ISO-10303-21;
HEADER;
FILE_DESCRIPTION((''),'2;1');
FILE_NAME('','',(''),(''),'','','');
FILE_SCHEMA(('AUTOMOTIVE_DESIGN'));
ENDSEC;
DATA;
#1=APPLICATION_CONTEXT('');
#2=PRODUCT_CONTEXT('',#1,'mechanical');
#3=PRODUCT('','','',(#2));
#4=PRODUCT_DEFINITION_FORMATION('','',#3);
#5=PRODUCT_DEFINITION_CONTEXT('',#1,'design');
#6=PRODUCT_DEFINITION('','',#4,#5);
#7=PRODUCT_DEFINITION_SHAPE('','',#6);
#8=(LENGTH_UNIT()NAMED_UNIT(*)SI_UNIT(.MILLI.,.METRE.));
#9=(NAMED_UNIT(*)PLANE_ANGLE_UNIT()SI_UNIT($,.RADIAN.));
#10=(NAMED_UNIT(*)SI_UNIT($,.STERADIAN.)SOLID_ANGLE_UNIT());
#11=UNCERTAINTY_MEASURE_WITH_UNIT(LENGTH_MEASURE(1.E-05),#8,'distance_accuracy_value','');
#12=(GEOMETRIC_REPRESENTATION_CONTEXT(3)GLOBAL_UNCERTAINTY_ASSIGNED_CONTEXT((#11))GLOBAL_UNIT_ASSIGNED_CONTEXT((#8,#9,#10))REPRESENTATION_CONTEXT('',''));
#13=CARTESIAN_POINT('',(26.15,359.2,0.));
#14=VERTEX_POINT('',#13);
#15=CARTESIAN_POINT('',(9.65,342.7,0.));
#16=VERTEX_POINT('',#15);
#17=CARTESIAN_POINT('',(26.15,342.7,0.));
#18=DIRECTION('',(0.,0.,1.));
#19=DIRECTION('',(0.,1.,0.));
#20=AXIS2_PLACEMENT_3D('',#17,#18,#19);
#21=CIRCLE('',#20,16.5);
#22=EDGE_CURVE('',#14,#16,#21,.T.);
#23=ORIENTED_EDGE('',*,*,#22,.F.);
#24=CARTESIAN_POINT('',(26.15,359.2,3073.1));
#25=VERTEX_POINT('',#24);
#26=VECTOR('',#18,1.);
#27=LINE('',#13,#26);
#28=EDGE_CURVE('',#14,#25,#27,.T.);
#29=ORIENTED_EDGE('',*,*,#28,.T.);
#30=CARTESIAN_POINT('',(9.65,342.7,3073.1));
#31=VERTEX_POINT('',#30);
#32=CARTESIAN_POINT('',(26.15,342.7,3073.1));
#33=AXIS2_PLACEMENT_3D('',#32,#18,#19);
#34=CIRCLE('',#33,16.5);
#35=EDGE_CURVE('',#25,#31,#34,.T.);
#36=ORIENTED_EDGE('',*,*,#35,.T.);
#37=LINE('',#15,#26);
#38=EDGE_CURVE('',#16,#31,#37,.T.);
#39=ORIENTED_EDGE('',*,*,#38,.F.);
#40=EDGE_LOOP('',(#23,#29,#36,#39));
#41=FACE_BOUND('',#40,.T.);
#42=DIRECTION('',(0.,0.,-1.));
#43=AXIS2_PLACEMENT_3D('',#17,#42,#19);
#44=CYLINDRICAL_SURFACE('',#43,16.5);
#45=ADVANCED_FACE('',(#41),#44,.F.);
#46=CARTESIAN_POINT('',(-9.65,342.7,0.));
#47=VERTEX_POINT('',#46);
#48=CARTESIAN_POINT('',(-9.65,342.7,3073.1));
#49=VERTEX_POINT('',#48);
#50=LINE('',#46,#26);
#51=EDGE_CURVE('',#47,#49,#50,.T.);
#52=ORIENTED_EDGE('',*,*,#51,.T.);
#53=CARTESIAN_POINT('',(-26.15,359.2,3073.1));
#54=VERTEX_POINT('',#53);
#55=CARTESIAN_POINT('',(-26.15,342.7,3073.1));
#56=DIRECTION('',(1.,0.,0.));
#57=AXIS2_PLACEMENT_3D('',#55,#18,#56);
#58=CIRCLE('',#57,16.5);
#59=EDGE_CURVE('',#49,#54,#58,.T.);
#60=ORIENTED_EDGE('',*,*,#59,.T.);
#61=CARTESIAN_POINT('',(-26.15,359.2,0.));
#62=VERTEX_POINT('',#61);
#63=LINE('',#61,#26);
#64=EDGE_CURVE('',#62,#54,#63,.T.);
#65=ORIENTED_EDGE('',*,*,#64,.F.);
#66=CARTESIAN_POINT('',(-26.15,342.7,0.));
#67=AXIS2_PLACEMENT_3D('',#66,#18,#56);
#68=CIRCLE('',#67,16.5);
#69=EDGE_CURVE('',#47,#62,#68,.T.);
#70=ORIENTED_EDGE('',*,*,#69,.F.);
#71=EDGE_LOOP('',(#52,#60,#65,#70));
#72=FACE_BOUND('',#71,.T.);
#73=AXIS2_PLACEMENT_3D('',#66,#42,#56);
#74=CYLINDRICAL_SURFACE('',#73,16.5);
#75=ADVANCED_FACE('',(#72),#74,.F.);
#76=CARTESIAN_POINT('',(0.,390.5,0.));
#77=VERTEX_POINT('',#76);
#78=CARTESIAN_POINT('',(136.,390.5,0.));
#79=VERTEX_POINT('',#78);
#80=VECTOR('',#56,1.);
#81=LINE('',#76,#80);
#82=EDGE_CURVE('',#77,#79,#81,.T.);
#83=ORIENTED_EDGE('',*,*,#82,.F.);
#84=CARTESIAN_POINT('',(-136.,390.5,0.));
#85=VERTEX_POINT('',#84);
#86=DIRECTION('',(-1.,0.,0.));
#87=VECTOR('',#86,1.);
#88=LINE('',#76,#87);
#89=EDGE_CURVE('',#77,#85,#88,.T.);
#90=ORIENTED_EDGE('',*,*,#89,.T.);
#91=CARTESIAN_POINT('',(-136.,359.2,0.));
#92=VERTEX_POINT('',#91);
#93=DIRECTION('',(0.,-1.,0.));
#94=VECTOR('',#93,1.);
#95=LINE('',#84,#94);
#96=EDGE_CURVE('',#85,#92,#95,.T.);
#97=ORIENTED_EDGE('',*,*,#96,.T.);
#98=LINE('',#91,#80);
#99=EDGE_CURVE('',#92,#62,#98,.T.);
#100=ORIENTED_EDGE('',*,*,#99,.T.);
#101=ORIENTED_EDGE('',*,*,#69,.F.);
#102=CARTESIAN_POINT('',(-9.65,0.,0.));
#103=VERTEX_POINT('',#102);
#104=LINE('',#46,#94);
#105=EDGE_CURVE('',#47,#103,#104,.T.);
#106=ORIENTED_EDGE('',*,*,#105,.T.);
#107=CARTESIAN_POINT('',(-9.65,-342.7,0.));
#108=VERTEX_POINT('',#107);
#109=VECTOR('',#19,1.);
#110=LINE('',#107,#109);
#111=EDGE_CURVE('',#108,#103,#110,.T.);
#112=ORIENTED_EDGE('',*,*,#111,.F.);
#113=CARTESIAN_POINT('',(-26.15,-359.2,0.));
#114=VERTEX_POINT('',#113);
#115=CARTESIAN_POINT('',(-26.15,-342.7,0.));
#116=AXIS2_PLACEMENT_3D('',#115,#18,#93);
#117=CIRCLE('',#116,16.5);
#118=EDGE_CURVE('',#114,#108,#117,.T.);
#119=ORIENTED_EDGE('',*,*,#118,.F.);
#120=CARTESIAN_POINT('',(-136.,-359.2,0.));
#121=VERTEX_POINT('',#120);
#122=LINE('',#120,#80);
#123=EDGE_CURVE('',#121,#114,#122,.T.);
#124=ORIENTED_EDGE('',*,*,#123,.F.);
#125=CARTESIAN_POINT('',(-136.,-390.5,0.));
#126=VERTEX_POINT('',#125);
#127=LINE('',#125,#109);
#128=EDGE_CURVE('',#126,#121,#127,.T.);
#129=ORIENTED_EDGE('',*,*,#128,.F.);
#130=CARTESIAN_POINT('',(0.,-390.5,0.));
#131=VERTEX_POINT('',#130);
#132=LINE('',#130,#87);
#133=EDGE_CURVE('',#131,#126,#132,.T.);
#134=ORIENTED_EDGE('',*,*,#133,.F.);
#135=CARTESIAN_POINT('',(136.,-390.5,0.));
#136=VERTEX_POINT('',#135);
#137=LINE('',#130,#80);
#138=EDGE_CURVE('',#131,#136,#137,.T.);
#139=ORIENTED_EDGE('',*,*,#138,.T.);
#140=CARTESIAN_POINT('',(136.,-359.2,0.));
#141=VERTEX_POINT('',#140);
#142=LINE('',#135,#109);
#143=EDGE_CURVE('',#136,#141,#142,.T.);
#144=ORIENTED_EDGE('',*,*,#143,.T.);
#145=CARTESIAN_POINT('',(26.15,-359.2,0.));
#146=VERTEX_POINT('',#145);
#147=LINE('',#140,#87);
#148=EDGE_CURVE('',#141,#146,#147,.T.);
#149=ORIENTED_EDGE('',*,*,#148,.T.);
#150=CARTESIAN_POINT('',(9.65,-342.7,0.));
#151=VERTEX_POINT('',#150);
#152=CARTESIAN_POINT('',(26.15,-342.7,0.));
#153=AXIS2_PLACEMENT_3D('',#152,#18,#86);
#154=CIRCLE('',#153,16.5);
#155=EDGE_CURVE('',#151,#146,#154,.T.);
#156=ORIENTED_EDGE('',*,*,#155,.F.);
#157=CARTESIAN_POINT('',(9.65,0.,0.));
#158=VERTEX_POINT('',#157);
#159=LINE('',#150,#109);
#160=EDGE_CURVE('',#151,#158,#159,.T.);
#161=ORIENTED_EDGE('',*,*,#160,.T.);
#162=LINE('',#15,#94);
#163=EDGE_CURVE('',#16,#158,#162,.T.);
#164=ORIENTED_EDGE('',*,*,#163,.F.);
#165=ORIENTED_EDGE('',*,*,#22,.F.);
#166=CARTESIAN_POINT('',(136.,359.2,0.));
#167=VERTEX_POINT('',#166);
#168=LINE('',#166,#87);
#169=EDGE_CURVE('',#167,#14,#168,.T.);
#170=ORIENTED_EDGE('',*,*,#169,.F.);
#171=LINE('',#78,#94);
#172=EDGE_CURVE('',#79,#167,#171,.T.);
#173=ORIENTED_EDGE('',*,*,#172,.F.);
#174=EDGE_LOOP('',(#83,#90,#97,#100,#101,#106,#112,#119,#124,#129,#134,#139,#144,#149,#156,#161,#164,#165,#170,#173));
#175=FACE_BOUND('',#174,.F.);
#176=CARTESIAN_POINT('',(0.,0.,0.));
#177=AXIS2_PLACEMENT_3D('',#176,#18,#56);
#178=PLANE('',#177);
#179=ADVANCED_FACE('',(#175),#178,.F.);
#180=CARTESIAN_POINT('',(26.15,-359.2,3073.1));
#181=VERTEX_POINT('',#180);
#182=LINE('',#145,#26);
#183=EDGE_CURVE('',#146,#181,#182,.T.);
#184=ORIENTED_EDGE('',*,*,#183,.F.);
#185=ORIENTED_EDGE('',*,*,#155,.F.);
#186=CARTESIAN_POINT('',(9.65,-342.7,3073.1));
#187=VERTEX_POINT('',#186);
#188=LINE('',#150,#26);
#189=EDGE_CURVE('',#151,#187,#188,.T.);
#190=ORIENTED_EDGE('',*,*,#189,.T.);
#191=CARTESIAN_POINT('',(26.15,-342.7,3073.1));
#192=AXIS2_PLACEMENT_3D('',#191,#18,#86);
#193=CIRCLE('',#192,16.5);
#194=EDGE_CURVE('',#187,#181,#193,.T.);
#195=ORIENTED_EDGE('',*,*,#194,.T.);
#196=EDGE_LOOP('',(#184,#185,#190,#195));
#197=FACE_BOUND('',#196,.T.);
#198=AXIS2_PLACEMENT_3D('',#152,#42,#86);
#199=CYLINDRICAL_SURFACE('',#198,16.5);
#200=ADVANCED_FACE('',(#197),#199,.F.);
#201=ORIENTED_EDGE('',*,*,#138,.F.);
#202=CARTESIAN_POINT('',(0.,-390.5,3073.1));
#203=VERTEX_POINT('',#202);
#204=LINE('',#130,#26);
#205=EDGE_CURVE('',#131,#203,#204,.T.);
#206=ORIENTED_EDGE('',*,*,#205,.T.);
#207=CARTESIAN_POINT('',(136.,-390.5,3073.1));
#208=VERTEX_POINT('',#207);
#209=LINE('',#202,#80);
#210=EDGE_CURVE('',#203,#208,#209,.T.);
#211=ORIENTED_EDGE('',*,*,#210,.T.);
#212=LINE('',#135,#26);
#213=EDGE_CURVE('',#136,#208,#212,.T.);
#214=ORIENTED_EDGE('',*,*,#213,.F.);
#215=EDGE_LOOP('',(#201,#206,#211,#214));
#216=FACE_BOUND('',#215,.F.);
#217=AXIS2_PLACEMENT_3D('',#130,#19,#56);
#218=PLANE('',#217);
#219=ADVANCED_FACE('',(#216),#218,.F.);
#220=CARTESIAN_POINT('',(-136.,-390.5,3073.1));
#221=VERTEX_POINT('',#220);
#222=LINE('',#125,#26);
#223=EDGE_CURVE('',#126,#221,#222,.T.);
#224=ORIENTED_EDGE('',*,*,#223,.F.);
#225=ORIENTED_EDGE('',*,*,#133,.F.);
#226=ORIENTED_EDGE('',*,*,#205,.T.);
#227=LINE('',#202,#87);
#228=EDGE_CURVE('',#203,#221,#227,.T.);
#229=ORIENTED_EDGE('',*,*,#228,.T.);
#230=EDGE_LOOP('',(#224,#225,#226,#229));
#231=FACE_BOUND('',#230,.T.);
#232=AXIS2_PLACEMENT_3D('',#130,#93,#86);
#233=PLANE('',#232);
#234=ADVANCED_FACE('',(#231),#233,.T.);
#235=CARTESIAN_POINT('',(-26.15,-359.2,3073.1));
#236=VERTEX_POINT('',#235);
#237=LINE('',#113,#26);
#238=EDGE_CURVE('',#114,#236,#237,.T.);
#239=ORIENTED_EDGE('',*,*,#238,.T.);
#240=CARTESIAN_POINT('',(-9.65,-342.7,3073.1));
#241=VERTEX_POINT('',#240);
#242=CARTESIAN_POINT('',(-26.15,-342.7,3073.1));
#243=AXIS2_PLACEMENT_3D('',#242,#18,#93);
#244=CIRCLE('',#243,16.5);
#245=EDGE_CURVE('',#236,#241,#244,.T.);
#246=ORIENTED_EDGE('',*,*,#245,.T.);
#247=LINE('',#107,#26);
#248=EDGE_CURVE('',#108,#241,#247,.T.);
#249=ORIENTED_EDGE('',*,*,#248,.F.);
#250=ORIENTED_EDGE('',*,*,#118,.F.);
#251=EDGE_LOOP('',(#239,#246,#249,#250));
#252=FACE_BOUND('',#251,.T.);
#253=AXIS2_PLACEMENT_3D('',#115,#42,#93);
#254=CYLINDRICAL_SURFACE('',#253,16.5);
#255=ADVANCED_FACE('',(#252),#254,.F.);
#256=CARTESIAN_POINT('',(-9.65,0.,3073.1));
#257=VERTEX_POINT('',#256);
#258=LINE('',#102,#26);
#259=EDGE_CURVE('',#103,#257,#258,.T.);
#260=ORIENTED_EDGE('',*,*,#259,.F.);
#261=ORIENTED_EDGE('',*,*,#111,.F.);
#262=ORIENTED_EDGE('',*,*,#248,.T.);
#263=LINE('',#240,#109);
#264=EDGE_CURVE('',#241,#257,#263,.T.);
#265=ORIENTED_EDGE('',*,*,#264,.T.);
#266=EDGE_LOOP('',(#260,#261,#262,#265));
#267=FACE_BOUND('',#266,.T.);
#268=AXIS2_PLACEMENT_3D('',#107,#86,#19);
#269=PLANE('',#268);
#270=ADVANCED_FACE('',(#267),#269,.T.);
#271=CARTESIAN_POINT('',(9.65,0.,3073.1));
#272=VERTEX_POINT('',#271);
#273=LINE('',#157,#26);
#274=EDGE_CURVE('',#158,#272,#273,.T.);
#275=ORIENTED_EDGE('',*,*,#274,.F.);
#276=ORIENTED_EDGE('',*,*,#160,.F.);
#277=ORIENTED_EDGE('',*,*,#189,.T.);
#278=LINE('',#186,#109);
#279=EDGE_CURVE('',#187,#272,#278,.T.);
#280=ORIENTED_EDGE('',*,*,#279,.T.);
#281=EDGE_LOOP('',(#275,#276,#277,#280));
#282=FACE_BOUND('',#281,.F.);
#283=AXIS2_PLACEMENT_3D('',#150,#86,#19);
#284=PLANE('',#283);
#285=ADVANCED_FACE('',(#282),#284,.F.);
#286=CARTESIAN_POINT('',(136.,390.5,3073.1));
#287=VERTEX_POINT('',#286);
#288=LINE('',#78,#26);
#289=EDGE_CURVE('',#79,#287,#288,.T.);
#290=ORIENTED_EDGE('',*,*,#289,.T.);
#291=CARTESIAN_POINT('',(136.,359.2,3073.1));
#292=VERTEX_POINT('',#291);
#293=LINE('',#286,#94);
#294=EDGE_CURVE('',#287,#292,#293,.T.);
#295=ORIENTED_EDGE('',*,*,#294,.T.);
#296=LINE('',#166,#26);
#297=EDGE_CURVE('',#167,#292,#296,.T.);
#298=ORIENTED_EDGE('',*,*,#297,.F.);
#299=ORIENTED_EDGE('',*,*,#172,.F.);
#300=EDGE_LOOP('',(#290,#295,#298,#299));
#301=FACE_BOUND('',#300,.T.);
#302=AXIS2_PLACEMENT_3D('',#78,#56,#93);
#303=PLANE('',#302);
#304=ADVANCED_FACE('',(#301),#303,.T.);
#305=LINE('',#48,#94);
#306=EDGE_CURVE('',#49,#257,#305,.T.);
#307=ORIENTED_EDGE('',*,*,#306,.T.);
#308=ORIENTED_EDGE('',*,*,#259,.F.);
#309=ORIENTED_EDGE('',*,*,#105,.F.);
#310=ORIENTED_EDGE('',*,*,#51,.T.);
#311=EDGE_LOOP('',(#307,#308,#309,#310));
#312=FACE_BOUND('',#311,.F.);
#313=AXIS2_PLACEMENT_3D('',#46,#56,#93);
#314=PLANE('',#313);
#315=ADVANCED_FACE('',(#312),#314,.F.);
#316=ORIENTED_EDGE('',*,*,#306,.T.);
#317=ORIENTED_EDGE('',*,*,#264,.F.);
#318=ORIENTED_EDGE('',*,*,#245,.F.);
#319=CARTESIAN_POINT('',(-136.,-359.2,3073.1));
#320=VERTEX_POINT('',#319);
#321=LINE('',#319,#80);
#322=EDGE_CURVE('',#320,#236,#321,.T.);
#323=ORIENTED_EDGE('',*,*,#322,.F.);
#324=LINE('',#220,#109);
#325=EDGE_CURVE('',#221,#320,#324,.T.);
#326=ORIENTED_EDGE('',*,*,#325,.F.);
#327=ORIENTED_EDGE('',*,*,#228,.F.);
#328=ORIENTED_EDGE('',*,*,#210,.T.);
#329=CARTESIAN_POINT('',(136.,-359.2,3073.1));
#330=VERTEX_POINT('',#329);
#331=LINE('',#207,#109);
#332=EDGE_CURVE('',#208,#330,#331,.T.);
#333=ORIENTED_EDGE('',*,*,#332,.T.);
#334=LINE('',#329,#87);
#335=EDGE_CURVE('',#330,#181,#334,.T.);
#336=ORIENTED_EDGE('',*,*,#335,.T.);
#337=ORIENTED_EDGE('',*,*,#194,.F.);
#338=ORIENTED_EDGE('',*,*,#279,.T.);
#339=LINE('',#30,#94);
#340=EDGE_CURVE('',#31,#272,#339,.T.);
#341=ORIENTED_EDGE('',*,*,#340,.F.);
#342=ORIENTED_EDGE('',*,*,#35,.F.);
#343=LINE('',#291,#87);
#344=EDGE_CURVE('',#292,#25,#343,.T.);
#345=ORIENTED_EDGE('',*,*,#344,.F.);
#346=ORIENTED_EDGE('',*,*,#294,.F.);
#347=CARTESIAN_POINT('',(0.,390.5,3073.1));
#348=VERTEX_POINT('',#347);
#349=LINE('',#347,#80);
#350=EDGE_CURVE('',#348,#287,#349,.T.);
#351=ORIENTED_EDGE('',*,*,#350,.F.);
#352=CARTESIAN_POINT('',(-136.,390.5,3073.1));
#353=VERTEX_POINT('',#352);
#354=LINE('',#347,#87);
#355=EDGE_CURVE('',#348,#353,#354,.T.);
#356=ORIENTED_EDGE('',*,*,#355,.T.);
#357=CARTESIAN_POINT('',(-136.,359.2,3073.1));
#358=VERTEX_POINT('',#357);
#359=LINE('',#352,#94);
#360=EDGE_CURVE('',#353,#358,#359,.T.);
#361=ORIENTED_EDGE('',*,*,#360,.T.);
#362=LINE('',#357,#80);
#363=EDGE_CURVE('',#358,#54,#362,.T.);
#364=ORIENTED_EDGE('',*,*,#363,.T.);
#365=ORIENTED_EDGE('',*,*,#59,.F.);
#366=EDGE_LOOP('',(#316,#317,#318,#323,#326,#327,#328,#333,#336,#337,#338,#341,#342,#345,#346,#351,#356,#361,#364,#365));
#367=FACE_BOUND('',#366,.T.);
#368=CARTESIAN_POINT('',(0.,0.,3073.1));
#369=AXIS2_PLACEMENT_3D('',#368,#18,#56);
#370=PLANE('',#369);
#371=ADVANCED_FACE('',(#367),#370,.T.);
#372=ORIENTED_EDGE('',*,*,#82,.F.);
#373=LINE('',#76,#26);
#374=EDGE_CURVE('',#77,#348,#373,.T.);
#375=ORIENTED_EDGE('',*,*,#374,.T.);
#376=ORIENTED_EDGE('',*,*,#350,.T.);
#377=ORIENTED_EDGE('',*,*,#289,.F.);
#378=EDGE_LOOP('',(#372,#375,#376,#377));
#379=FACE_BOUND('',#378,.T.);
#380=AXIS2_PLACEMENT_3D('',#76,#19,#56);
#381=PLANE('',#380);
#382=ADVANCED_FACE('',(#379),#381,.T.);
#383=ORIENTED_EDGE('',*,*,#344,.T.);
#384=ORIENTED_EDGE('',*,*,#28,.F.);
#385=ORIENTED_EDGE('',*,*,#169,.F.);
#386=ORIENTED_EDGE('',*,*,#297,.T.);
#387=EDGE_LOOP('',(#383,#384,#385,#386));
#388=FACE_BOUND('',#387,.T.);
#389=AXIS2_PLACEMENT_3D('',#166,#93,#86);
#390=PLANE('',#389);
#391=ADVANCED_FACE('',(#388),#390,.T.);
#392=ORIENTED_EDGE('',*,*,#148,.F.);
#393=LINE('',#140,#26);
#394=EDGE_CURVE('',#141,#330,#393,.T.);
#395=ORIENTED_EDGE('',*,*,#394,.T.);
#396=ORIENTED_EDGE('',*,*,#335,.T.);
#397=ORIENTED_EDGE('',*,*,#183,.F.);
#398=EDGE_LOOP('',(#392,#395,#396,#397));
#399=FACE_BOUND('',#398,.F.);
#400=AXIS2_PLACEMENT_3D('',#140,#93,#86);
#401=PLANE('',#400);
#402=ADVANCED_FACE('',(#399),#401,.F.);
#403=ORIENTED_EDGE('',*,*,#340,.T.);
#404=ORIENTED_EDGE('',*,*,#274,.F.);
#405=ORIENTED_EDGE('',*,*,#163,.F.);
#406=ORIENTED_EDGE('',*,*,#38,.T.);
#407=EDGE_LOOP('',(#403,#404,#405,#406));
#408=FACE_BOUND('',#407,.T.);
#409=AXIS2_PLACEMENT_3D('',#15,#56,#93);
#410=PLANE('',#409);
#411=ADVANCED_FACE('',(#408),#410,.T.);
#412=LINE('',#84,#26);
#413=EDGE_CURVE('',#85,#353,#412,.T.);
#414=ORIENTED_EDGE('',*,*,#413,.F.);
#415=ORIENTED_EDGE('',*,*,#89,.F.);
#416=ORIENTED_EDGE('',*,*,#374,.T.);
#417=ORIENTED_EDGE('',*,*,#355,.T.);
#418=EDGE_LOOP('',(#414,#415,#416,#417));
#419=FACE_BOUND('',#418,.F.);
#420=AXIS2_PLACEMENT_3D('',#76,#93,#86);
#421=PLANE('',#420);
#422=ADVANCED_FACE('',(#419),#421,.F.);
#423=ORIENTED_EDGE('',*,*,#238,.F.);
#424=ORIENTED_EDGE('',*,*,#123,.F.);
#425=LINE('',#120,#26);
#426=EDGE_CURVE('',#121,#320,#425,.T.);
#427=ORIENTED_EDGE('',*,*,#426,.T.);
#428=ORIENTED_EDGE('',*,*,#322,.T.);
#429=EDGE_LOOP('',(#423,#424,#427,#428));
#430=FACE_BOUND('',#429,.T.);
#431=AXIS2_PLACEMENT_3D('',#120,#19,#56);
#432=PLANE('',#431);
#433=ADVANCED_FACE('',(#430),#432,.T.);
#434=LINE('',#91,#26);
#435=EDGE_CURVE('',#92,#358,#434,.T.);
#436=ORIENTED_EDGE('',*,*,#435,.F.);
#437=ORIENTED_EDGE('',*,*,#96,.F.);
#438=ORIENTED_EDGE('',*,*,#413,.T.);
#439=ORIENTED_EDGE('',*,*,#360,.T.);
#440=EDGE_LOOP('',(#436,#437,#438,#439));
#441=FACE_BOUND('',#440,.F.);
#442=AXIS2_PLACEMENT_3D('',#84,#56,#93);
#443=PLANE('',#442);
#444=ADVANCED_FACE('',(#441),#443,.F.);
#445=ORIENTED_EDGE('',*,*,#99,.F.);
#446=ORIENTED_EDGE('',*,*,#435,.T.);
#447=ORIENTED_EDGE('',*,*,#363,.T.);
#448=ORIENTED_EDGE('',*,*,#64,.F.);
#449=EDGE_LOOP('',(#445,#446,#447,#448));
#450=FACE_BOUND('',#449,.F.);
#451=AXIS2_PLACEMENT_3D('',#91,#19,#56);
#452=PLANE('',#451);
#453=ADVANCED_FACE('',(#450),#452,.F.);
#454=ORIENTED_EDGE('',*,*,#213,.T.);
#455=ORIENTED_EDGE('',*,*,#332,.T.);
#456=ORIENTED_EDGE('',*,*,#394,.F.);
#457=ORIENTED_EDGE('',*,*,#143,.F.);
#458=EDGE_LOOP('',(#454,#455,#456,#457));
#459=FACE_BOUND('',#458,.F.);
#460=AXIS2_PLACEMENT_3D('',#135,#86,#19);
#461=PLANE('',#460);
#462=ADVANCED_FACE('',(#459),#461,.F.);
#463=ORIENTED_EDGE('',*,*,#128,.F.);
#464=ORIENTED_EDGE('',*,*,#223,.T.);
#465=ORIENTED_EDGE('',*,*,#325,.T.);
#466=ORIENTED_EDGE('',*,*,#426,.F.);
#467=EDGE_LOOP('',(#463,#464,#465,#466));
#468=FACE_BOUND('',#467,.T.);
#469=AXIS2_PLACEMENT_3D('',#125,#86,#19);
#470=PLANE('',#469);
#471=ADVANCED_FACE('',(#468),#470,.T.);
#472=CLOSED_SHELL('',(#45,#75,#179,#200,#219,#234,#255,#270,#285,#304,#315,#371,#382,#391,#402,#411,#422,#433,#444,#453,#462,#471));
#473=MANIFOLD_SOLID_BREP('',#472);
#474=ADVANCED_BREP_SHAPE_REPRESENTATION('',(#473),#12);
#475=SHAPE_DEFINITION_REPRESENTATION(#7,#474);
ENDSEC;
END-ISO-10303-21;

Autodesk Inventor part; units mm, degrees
ref_plane "YZ Plane" through (0, 0, 0) normal (1, 0, 0) x (0, 1, 0)
ref_plane "Start plane" through (0, 0, 0) normal (0, 0, 1) x (1, 0, 0)
ref_plane "End plane" through (0, 0, 3073.1) normal (0, 0, 1) x (1, 0, 0)
sketch "Sketch" plane through (0, 0, 0) normal (0, 0, 1) x (1, 0, 0)
  line L0 (-136, -390.5) -> (-136, -359.2)
  line L1 (-136, -359.2) -> (-26.15, -359.2)
  line L2 (-9.65, -342.7) -> (-9.65, 0)
  line L3 (-9.65, 0) -> (0, 0) construction
  line L4 (0, 0) -> (0, -390.5) construction
  line L5 (0, -390.5) -> (-136, -390.5)
  line L6 (-60, 0) -> (80, 0) construction
  line L7 (0, -60) -> (0, 80) construction
  line L8 (136, -390.5) -> (136, -359.2)
  line L9 (136, -359.2) -> (26.15, -359.2)
  line L10 (9.65, -342.7) -> (9.65, 0)
  line L11 (9.65, 0) -> (0, 0) construction
  line L12 (0, -390.5) -> (136, -390.5)
  line L13 (-136, 390.5) -> (-136, 359.2)
  line L14 (-136, 359.2) -> (-26.15, 359.2)
  line L15 (-9.65, 342.7) -> (-9.65, 0)
  line L16 (0, 390.5) -> (-136, 390.5)
  line L17 (136, 390.5) -> (136, 359.2)
  line L18 (136, 359.2) -> (26.15, 359.2)
  line L19 (0, 390.5) -> (136, 390.5)
  line L20 (9.65, 342.7) -> (9.65, 0)
  arc A0 (-9.65, 342.7) -> (-26.15, 359.2) centre (-26.15, 342.7) ccw
  arc A1 (26.15, 359.2) -> (9.65, 342.7) centre (26.15, 342.7) ccw
  arc A2 (9.65, -342.7) -> (26.15, -359.2) centre (26.15, -342.7) ccw
  arc A3 (-26.15, -359.2) -> (-9.65, -342.7) centre (-26.15, -342.7) ccw
  line L21 (0, 108) -> (0, -88) construction
  line L22 (-88, 0) -> (108, 0) construction
  point P0 (-9.65, -359.2)
  point P1 (9.65, -359.2)
  point P2 (-9.65, 359.2)
  point P3 (9.65, 359.2)
  dimension "d1" = 390.5
  dimension "d2" = 31.3
  dimension "d3" = 136
  dimension "d4" = 9.65
  dimension "d10" = 16.5
extrude "Body" add sketch "Sketch" along normal up to surface (3073.1 mm away) from surface at 0
sketch "Sketch4" plane through (0, 0, 0) normal (0, 0, 1) x (1, 0, 0)
  line L0 (0, 0) -> (10, 0)
ref_plane "Work Plane3" through (0, 0, 0) normal (0, -1, 0) x (1, 0, 0)
sketch "Sketch5" plane through (0, 0, 0) normal (0, -1, 0) x (1, 0, 0)
  line L0 (-2, 0) -> (12, 0) projected
  line L1 (-2, 3073.1) -> (12, 3073.1) projected
  dimension "d14" = 3073.1
equation "\"d1\" = 0.5 * G_H"
equation "\"d2\" = G_T1"
equation "\"d3\" = 0.5 * G_W"
equation "\"d4\" = 0.5 * G_T"
equation "\"d10\" = G_IR"
equation "\"d5\" = G_L"
equation "\"G_W\" = 272"
equation "\"G_H\" = 781"
equation "\"G_T\" = 19.3"
equation "\"G_T1\" = 31.3"
equation "\"G_IR\" = 16.5"
equation "\"G_L\" = d14"
equation "\"G_OFFSET_START\" = 0"
equation "\"G_OFFSET_END\" = 0"
equation "\"d12\" = G_OFFSET_END + B_L"
equation "\"B_L\" = 3073.1"
properties part number "AS 3679-1990 - 760 UB - 244 - 3073.1" material "Steel, Mild"
